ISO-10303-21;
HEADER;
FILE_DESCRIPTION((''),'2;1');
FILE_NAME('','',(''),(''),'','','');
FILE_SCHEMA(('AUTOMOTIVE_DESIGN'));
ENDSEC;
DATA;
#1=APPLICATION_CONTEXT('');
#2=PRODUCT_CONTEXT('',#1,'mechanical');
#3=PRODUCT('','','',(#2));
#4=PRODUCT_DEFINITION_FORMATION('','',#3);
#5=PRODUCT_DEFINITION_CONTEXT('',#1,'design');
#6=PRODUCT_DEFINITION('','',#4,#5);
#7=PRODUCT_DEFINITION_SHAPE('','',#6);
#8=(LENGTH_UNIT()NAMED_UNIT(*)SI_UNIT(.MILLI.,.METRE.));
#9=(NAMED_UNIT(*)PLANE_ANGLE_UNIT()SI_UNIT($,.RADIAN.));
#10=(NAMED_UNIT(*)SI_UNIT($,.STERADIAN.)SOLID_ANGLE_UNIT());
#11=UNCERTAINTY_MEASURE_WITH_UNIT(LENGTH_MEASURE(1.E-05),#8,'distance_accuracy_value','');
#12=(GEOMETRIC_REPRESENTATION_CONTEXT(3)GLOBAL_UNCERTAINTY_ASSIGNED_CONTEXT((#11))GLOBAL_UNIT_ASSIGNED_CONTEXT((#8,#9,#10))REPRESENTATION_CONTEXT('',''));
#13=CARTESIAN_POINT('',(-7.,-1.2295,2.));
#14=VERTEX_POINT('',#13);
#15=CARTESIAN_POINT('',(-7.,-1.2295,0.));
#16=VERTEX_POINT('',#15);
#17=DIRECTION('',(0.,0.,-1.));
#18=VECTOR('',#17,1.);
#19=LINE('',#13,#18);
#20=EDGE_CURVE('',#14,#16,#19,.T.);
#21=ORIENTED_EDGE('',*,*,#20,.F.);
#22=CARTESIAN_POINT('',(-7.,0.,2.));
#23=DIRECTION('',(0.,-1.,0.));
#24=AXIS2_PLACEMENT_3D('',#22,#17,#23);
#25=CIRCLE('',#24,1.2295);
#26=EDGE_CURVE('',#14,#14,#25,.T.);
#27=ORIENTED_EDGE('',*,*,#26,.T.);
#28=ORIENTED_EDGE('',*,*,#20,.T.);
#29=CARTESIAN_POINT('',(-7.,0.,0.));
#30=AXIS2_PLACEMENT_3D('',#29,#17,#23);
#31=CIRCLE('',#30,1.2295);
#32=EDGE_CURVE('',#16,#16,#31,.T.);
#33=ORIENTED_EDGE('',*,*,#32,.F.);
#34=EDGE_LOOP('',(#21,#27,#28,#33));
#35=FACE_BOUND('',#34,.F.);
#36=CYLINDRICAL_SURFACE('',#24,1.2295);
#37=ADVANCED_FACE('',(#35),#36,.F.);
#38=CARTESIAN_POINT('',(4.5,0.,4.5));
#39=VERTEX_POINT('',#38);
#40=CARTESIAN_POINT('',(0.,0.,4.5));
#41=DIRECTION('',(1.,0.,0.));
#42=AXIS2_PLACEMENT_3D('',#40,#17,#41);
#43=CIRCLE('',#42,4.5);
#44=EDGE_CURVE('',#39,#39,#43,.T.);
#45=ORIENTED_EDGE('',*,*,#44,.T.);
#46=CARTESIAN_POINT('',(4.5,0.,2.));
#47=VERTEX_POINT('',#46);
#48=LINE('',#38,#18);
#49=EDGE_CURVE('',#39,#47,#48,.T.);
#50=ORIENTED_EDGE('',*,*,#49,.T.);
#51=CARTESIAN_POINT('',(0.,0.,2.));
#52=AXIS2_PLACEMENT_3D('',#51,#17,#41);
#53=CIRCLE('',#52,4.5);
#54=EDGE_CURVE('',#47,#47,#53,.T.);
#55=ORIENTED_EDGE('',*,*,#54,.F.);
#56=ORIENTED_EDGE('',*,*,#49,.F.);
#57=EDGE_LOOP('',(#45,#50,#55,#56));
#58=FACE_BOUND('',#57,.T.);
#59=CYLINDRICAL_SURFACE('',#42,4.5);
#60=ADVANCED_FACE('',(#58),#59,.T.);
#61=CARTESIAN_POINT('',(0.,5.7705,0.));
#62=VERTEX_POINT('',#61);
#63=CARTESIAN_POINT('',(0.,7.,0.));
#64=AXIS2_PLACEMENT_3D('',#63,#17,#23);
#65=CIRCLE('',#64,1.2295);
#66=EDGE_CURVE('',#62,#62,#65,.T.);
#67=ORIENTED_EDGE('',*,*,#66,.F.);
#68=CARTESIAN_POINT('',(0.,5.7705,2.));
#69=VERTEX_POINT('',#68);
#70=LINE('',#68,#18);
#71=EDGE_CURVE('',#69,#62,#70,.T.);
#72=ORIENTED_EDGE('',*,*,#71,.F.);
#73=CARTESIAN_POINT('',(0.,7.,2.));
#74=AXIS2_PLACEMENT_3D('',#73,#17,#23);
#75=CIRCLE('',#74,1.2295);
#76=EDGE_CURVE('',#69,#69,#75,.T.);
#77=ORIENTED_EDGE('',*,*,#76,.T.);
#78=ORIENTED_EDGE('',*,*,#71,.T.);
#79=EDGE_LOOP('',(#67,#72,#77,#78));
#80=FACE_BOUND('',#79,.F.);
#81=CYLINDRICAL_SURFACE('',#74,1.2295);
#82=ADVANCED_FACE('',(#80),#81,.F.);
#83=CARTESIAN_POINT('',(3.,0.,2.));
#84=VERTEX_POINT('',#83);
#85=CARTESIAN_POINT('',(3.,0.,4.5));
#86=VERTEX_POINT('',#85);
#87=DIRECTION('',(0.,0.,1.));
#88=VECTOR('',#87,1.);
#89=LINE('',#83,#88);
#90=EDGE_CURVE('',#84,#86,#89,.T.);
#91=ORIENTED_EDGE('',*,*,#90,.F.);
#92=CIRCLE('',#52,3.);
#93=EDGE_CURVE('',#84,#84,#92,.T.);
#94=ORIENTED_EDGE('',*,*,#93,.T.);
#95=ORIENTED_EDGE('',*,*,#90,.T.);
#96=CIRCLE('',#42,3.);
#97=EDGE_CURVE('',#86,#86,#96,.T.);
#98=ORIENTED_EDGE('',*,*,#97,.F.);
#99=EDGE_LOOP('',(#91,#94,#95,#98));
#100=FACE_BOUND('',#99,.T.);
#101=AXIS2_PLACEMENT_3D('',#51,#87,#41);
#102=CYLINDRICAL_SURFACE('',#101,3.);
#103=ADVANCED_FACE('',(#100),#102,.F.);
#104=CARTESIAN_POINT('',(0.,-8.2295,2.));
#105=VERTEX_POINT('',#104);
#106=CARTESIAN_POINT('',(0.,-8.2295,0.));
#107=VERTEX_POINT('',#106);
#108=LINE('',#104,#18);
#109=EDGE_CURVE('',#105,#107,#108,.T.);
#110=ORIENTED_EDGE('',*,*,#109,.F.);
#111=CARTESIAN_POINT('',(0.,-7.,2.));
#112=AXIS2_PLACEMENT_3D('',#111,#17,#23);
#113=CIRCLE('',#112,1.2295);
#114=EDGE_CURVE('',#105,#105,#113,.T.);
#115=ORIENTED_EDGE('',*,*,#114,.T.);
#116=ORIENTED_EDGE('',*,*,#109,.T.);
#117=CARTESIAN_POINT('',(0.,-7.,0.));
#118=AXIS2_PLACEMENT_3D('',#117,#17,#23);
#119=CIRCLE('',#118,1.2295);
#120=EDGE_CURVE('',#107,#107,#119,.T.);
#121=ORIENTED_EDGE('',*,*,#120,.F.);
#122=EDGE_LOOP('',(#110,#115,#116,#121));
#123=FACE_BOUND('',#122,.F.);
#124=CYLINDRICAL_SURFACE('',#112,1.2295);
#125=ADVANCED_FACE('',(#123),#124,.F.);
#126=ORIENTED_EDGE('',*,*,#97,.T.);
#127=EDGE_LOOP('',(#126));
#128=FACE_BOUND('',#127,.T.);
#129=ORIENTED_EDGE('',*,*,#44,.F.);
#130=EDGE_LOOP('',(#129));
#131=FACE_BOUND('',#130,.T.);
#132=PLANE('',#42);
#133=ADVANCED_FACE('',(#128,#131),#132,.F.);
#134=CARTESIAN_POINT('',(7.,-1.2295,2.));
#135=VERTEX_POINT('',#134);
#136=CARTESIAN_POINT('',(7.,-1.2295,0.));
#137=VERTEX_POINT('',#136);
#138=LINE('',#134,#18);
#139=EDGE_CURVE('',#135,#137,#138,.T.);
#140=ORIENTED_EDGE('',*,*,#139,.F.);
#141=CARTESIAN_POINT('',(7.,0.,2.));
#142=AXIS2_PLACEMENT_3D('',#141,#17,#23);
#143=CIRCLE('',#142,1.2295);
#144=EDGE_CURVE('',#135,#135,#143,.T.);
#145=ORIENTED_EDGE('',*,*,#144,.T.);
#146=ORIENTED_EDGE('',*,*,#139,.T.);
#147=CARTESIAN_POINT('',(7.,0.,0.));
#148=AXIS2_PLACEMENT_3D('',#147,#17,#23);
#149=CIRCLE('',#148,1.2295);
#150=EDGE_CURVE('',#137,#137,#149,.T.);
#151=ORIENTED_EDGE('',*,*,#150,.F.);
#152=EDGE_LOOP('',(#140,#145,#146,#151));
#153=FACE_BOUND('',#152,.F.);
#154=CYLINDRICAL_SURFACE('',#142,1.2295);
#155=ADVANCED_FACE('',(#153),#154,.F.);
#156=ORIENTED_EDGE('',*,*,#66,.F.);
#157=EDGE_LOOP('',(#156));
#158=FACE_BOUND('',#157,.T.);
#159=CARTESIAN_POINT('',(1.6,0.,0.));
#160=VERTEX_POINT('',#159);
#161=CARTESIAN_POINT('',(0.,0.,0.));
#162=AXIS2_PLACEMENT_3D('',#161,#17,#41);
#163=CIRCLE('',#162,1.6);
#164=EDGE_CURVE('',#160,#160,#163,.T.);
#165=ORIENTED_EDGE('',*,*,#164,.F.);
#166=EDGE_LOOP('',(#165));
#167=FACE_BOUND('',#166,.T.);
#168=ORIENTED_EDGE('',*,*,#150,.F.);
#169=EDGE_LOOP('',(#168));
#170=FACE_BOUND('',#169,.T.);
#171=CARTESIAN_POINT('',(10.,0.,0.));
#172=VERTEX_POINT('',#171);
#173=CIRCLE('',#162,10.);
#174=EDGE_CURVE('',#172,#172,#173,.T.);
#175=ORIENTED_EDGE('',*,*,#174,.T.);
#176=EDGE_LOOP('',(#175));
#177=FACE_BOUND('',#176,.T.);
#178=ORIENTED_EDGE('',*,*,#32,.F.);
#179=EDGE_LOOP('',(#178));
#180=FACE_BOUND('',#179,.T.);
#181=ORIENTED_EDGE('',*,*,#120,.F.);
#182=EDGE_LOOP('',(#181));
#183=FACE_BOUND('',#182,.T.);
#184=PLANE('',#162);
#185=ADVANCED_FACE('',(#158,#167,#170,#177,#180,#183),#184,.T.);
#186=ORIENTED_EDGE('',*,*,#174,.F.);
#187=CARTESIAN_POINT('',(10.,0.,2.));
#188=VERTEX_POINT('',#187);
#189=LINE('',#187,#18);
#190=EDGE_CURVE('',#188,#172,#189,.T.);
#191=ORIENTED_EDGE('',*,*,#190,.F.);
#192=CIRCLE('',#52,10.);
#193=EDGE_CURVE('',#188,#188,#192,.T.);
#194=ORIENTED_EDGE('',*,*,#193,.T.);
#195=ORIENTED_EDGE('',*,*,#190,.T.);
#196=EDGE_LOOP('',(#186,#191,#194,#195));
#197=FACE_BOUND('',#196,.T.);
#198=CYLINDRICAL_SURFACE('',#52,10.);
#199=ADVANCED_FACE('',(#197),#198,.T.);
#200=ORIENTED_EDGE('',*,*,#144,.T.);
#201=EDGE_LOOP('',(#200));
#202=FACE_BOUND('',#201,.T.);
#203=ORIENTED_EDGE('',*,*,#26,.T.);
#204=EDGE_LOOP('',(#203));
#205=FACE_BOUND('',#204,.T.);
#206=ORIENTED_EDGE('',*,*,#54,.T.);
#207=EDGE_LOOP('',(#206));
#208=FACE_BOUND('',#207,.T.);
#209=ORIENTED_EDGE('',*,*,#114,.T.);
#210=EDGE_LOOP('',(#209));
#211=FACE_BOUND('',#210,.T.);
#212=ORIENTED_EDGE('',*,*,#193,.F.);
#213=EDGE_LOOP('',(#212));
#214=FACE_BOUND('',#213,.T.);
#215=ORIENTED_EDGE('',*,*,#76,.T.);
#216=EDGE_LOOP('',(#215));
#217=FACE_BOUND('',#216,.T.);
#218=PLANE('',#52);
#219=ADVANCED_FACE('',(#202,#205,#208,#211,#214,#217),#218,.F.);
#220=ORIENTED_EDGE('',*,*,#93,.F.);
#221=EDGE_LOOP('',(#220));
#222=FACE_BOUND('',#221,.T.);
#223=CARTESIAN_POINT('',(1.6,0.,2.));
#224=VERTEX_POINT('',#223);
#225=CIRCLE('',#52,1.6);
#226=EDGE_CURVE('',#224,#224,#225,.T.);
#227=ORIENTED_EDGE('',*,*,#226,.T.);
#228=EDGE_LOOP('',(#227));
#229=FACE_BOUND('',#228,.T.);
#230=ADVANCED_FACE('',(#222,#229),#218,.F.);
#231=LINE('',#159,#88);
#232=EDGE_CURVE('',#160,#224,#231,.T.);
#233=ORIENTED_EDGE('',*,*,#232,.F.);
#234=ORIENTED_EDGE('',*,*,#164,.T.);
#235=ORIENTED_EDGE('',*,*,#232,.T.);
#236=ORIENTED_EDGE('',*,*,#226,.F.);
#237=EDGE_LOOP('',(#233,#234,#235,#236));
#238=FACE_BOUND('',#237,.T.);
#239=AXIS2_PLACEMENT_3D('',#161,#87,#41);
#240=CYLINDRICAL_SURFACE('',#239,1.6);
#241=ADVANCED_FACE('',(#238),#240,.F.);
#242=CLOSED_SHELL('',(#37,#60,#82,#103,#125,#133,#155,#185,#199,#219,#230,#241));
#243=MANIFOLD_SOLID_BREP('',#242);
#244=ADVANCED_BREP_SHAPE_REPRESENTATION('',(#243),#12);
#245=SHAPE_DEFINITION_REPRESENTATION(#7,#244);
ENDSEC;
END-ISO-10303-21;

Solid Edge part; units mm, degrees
sketch "Sketch1" plane through (0, 0, 0) normal (0, -1, 0) x (1, 0, 0)
  line L0 (1.6, 0) -> (1.6, 2)
  line L1 (1.6, 2) -> (3, 2)
  line L2 (3, 2) -> (3, 4.5)
  line L3 (3, 4.5) -> (4.5, 4.5)
  line L4 (4.5, 4.5) -> (4.5, 2)
  line L5 (4.5, 2) -> (10, 2)
  line L6 (10, 2) -> (10, 0)
  line L7 (10, 0) -> (1.6, 0)
  dimension "D1" = 4.5
  dimension "D2" = 2.5
revolve "RevolvedProtrusion1" add sketch "Sketch1" angle 360 about axis through (0, 0, 54) along (0, 0, -1)
hole "Hole_1" at (7, 0, 2) direction (0, 0, -1) diameter 2.459 depth 30 tip angle 118 thread major 3 thread length 2
hole "Hole1" at (0, 7, 2) direction (0, 0, -1) diameter 2.459 depth 30 tip angle 118 thread major 3 thread length 2
hole "Hole2" at (-7, 0, 2) direction (0, 0, -1) diameter 2.459 depth 30 tip angle 118 thread major 3 thread length 2
hole "Hole3" at (0, -7, 2) direction (0, 0, -1) diameter 2.459 depth 30 tip angle 118 thread major 3 thread length 2
properties material "Aluminum, 1060"
